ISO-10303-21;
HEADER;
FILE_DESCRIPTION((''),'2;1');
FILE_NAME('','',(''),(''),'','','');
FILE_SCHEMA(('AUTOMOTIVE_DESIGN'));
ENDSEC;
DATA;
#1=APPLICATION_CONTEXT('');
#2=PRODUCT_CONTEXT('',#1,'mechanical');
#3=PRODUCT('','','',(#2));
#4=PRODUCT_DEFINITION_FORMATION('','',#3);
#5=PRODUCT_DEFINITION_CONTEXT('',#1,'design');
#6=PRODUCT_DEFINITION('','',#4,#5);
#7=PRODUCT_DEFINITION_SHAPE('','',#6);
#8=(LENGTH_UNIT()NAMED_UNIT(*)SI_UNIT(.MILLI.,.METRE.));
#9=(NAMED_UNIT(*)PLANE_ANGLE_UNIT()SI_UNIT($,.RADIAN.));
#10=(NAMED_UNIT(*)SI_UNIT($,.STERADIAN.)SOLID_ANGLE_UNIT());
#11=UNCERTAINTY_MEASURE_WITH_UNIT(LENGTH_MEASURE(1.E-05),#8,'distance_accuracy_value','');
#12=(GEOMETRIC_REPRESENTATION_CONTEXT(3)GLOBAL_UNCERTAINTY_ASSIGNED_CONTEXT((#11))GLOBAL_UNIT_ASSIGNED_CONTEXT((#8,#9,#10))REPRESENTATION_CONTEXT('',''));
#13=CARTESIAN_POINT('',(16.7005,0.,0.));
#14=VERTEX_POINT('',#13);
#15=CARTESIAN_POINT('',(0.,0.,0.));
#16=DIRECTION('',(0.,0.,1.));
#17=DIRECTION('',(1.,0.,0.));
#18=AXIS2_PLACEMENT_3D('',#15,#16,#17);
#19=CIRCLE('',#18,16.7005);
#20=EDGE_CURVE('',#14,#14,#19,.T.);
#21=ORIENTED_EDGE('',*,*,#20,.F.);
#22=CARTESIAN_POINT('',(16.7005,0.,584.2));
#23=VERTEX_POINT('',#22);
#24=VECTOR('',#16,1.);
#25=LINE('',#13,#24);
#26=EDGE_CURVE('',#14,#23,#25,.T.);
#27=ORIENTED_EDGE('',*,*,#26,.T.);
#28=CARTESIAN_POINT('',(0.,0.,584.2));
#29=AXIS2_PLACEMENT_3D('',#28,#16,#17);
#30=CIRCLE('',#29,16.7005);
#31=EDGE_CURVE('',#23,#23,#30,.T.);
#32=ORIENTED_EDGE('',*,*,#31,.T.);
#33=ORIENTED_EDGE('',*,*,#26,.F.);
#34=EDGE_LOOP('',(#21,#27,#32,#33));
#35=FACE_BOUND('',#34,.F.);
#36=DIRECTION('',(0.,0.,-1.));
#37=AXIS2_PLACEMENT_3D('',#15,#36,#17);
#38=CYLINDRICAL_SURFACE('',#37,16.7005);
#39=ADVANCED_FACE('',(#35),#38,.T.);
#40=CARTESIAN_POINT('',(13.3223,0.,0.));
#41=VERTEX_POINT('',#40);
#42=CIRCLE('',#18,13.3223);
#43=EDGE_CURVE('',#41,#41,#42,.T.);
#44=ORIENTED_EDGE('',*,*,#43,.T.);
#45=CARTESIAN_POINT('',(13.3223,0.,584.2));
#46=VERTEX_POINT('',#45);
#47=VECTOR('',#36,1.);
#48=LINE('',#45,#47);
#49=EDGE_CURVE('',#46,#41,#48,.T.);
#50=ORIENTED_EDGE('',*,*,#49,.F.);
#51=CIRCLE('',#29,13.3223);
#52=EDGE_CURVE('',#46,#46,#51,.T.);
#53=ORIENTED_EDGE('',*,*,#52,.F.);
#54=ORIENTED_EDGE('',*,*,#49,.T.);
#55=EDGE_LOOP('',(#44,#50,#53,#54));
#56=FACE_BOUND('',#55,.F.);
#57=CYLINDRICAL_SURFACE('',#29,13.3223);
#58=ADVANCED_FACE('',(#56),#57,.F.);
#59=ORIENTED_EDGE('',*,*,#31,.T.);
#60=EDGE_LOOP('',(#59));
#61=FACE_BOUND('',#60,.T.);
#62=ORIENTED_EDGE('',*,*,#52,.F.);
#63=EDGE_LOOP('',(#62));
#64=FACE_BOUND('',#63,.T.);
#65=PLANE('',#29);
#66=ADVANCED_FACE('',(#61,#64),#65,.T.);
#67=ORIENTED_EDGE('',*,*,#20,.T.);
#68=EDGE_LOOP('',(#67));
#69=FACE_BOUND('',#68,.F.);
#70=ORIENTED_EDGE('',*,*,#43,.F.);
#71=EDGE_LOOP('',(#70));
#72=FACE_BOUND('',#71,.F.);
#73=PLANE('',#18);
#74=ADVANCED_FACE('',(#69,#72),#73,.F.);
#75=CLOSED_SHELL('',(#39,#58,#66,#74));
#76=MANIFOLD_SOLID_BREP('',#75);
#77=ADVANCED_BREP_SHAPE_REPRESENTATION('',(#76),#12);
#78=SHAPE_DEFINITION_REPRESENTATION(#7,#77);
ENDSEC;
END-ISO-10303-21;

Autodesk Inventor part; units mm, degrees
ref_plane "YZ Plane" through (0, 0, 0) normal (1, 0, 0) x (0, 1, 0)
ref_plane "XZ Plane" through (0, 0, 0) normal (0, 1, 0) x (-1, 0, 0)
ref_plane "XY Plane" through (0, 0, 0) normal (0, 0, 1) x (1, 0, 0)
sketch "Sketch1" plane through (0, 0, 0) normal (0, 0, 1) x (1, 0, 0)
  circle A0 centre (0, 0) radius 16.7005
  dimension "d0" = 33.401
extrude "Extrusion1" add sketch "Sketch1" along normal blind 584.2
sketch "Sketch2" plane through (0, 0, 584.2) normal (0, 0, 1) x (1, 0, 0)
  circle A0 centre (0, 0) radius 13.3223
  dimension "d3" = 26.6446
extrude "Extrusion2" cut sketch "Sketch2" against normal blind 584.2
properties part number "Extender - 1 in tube"
